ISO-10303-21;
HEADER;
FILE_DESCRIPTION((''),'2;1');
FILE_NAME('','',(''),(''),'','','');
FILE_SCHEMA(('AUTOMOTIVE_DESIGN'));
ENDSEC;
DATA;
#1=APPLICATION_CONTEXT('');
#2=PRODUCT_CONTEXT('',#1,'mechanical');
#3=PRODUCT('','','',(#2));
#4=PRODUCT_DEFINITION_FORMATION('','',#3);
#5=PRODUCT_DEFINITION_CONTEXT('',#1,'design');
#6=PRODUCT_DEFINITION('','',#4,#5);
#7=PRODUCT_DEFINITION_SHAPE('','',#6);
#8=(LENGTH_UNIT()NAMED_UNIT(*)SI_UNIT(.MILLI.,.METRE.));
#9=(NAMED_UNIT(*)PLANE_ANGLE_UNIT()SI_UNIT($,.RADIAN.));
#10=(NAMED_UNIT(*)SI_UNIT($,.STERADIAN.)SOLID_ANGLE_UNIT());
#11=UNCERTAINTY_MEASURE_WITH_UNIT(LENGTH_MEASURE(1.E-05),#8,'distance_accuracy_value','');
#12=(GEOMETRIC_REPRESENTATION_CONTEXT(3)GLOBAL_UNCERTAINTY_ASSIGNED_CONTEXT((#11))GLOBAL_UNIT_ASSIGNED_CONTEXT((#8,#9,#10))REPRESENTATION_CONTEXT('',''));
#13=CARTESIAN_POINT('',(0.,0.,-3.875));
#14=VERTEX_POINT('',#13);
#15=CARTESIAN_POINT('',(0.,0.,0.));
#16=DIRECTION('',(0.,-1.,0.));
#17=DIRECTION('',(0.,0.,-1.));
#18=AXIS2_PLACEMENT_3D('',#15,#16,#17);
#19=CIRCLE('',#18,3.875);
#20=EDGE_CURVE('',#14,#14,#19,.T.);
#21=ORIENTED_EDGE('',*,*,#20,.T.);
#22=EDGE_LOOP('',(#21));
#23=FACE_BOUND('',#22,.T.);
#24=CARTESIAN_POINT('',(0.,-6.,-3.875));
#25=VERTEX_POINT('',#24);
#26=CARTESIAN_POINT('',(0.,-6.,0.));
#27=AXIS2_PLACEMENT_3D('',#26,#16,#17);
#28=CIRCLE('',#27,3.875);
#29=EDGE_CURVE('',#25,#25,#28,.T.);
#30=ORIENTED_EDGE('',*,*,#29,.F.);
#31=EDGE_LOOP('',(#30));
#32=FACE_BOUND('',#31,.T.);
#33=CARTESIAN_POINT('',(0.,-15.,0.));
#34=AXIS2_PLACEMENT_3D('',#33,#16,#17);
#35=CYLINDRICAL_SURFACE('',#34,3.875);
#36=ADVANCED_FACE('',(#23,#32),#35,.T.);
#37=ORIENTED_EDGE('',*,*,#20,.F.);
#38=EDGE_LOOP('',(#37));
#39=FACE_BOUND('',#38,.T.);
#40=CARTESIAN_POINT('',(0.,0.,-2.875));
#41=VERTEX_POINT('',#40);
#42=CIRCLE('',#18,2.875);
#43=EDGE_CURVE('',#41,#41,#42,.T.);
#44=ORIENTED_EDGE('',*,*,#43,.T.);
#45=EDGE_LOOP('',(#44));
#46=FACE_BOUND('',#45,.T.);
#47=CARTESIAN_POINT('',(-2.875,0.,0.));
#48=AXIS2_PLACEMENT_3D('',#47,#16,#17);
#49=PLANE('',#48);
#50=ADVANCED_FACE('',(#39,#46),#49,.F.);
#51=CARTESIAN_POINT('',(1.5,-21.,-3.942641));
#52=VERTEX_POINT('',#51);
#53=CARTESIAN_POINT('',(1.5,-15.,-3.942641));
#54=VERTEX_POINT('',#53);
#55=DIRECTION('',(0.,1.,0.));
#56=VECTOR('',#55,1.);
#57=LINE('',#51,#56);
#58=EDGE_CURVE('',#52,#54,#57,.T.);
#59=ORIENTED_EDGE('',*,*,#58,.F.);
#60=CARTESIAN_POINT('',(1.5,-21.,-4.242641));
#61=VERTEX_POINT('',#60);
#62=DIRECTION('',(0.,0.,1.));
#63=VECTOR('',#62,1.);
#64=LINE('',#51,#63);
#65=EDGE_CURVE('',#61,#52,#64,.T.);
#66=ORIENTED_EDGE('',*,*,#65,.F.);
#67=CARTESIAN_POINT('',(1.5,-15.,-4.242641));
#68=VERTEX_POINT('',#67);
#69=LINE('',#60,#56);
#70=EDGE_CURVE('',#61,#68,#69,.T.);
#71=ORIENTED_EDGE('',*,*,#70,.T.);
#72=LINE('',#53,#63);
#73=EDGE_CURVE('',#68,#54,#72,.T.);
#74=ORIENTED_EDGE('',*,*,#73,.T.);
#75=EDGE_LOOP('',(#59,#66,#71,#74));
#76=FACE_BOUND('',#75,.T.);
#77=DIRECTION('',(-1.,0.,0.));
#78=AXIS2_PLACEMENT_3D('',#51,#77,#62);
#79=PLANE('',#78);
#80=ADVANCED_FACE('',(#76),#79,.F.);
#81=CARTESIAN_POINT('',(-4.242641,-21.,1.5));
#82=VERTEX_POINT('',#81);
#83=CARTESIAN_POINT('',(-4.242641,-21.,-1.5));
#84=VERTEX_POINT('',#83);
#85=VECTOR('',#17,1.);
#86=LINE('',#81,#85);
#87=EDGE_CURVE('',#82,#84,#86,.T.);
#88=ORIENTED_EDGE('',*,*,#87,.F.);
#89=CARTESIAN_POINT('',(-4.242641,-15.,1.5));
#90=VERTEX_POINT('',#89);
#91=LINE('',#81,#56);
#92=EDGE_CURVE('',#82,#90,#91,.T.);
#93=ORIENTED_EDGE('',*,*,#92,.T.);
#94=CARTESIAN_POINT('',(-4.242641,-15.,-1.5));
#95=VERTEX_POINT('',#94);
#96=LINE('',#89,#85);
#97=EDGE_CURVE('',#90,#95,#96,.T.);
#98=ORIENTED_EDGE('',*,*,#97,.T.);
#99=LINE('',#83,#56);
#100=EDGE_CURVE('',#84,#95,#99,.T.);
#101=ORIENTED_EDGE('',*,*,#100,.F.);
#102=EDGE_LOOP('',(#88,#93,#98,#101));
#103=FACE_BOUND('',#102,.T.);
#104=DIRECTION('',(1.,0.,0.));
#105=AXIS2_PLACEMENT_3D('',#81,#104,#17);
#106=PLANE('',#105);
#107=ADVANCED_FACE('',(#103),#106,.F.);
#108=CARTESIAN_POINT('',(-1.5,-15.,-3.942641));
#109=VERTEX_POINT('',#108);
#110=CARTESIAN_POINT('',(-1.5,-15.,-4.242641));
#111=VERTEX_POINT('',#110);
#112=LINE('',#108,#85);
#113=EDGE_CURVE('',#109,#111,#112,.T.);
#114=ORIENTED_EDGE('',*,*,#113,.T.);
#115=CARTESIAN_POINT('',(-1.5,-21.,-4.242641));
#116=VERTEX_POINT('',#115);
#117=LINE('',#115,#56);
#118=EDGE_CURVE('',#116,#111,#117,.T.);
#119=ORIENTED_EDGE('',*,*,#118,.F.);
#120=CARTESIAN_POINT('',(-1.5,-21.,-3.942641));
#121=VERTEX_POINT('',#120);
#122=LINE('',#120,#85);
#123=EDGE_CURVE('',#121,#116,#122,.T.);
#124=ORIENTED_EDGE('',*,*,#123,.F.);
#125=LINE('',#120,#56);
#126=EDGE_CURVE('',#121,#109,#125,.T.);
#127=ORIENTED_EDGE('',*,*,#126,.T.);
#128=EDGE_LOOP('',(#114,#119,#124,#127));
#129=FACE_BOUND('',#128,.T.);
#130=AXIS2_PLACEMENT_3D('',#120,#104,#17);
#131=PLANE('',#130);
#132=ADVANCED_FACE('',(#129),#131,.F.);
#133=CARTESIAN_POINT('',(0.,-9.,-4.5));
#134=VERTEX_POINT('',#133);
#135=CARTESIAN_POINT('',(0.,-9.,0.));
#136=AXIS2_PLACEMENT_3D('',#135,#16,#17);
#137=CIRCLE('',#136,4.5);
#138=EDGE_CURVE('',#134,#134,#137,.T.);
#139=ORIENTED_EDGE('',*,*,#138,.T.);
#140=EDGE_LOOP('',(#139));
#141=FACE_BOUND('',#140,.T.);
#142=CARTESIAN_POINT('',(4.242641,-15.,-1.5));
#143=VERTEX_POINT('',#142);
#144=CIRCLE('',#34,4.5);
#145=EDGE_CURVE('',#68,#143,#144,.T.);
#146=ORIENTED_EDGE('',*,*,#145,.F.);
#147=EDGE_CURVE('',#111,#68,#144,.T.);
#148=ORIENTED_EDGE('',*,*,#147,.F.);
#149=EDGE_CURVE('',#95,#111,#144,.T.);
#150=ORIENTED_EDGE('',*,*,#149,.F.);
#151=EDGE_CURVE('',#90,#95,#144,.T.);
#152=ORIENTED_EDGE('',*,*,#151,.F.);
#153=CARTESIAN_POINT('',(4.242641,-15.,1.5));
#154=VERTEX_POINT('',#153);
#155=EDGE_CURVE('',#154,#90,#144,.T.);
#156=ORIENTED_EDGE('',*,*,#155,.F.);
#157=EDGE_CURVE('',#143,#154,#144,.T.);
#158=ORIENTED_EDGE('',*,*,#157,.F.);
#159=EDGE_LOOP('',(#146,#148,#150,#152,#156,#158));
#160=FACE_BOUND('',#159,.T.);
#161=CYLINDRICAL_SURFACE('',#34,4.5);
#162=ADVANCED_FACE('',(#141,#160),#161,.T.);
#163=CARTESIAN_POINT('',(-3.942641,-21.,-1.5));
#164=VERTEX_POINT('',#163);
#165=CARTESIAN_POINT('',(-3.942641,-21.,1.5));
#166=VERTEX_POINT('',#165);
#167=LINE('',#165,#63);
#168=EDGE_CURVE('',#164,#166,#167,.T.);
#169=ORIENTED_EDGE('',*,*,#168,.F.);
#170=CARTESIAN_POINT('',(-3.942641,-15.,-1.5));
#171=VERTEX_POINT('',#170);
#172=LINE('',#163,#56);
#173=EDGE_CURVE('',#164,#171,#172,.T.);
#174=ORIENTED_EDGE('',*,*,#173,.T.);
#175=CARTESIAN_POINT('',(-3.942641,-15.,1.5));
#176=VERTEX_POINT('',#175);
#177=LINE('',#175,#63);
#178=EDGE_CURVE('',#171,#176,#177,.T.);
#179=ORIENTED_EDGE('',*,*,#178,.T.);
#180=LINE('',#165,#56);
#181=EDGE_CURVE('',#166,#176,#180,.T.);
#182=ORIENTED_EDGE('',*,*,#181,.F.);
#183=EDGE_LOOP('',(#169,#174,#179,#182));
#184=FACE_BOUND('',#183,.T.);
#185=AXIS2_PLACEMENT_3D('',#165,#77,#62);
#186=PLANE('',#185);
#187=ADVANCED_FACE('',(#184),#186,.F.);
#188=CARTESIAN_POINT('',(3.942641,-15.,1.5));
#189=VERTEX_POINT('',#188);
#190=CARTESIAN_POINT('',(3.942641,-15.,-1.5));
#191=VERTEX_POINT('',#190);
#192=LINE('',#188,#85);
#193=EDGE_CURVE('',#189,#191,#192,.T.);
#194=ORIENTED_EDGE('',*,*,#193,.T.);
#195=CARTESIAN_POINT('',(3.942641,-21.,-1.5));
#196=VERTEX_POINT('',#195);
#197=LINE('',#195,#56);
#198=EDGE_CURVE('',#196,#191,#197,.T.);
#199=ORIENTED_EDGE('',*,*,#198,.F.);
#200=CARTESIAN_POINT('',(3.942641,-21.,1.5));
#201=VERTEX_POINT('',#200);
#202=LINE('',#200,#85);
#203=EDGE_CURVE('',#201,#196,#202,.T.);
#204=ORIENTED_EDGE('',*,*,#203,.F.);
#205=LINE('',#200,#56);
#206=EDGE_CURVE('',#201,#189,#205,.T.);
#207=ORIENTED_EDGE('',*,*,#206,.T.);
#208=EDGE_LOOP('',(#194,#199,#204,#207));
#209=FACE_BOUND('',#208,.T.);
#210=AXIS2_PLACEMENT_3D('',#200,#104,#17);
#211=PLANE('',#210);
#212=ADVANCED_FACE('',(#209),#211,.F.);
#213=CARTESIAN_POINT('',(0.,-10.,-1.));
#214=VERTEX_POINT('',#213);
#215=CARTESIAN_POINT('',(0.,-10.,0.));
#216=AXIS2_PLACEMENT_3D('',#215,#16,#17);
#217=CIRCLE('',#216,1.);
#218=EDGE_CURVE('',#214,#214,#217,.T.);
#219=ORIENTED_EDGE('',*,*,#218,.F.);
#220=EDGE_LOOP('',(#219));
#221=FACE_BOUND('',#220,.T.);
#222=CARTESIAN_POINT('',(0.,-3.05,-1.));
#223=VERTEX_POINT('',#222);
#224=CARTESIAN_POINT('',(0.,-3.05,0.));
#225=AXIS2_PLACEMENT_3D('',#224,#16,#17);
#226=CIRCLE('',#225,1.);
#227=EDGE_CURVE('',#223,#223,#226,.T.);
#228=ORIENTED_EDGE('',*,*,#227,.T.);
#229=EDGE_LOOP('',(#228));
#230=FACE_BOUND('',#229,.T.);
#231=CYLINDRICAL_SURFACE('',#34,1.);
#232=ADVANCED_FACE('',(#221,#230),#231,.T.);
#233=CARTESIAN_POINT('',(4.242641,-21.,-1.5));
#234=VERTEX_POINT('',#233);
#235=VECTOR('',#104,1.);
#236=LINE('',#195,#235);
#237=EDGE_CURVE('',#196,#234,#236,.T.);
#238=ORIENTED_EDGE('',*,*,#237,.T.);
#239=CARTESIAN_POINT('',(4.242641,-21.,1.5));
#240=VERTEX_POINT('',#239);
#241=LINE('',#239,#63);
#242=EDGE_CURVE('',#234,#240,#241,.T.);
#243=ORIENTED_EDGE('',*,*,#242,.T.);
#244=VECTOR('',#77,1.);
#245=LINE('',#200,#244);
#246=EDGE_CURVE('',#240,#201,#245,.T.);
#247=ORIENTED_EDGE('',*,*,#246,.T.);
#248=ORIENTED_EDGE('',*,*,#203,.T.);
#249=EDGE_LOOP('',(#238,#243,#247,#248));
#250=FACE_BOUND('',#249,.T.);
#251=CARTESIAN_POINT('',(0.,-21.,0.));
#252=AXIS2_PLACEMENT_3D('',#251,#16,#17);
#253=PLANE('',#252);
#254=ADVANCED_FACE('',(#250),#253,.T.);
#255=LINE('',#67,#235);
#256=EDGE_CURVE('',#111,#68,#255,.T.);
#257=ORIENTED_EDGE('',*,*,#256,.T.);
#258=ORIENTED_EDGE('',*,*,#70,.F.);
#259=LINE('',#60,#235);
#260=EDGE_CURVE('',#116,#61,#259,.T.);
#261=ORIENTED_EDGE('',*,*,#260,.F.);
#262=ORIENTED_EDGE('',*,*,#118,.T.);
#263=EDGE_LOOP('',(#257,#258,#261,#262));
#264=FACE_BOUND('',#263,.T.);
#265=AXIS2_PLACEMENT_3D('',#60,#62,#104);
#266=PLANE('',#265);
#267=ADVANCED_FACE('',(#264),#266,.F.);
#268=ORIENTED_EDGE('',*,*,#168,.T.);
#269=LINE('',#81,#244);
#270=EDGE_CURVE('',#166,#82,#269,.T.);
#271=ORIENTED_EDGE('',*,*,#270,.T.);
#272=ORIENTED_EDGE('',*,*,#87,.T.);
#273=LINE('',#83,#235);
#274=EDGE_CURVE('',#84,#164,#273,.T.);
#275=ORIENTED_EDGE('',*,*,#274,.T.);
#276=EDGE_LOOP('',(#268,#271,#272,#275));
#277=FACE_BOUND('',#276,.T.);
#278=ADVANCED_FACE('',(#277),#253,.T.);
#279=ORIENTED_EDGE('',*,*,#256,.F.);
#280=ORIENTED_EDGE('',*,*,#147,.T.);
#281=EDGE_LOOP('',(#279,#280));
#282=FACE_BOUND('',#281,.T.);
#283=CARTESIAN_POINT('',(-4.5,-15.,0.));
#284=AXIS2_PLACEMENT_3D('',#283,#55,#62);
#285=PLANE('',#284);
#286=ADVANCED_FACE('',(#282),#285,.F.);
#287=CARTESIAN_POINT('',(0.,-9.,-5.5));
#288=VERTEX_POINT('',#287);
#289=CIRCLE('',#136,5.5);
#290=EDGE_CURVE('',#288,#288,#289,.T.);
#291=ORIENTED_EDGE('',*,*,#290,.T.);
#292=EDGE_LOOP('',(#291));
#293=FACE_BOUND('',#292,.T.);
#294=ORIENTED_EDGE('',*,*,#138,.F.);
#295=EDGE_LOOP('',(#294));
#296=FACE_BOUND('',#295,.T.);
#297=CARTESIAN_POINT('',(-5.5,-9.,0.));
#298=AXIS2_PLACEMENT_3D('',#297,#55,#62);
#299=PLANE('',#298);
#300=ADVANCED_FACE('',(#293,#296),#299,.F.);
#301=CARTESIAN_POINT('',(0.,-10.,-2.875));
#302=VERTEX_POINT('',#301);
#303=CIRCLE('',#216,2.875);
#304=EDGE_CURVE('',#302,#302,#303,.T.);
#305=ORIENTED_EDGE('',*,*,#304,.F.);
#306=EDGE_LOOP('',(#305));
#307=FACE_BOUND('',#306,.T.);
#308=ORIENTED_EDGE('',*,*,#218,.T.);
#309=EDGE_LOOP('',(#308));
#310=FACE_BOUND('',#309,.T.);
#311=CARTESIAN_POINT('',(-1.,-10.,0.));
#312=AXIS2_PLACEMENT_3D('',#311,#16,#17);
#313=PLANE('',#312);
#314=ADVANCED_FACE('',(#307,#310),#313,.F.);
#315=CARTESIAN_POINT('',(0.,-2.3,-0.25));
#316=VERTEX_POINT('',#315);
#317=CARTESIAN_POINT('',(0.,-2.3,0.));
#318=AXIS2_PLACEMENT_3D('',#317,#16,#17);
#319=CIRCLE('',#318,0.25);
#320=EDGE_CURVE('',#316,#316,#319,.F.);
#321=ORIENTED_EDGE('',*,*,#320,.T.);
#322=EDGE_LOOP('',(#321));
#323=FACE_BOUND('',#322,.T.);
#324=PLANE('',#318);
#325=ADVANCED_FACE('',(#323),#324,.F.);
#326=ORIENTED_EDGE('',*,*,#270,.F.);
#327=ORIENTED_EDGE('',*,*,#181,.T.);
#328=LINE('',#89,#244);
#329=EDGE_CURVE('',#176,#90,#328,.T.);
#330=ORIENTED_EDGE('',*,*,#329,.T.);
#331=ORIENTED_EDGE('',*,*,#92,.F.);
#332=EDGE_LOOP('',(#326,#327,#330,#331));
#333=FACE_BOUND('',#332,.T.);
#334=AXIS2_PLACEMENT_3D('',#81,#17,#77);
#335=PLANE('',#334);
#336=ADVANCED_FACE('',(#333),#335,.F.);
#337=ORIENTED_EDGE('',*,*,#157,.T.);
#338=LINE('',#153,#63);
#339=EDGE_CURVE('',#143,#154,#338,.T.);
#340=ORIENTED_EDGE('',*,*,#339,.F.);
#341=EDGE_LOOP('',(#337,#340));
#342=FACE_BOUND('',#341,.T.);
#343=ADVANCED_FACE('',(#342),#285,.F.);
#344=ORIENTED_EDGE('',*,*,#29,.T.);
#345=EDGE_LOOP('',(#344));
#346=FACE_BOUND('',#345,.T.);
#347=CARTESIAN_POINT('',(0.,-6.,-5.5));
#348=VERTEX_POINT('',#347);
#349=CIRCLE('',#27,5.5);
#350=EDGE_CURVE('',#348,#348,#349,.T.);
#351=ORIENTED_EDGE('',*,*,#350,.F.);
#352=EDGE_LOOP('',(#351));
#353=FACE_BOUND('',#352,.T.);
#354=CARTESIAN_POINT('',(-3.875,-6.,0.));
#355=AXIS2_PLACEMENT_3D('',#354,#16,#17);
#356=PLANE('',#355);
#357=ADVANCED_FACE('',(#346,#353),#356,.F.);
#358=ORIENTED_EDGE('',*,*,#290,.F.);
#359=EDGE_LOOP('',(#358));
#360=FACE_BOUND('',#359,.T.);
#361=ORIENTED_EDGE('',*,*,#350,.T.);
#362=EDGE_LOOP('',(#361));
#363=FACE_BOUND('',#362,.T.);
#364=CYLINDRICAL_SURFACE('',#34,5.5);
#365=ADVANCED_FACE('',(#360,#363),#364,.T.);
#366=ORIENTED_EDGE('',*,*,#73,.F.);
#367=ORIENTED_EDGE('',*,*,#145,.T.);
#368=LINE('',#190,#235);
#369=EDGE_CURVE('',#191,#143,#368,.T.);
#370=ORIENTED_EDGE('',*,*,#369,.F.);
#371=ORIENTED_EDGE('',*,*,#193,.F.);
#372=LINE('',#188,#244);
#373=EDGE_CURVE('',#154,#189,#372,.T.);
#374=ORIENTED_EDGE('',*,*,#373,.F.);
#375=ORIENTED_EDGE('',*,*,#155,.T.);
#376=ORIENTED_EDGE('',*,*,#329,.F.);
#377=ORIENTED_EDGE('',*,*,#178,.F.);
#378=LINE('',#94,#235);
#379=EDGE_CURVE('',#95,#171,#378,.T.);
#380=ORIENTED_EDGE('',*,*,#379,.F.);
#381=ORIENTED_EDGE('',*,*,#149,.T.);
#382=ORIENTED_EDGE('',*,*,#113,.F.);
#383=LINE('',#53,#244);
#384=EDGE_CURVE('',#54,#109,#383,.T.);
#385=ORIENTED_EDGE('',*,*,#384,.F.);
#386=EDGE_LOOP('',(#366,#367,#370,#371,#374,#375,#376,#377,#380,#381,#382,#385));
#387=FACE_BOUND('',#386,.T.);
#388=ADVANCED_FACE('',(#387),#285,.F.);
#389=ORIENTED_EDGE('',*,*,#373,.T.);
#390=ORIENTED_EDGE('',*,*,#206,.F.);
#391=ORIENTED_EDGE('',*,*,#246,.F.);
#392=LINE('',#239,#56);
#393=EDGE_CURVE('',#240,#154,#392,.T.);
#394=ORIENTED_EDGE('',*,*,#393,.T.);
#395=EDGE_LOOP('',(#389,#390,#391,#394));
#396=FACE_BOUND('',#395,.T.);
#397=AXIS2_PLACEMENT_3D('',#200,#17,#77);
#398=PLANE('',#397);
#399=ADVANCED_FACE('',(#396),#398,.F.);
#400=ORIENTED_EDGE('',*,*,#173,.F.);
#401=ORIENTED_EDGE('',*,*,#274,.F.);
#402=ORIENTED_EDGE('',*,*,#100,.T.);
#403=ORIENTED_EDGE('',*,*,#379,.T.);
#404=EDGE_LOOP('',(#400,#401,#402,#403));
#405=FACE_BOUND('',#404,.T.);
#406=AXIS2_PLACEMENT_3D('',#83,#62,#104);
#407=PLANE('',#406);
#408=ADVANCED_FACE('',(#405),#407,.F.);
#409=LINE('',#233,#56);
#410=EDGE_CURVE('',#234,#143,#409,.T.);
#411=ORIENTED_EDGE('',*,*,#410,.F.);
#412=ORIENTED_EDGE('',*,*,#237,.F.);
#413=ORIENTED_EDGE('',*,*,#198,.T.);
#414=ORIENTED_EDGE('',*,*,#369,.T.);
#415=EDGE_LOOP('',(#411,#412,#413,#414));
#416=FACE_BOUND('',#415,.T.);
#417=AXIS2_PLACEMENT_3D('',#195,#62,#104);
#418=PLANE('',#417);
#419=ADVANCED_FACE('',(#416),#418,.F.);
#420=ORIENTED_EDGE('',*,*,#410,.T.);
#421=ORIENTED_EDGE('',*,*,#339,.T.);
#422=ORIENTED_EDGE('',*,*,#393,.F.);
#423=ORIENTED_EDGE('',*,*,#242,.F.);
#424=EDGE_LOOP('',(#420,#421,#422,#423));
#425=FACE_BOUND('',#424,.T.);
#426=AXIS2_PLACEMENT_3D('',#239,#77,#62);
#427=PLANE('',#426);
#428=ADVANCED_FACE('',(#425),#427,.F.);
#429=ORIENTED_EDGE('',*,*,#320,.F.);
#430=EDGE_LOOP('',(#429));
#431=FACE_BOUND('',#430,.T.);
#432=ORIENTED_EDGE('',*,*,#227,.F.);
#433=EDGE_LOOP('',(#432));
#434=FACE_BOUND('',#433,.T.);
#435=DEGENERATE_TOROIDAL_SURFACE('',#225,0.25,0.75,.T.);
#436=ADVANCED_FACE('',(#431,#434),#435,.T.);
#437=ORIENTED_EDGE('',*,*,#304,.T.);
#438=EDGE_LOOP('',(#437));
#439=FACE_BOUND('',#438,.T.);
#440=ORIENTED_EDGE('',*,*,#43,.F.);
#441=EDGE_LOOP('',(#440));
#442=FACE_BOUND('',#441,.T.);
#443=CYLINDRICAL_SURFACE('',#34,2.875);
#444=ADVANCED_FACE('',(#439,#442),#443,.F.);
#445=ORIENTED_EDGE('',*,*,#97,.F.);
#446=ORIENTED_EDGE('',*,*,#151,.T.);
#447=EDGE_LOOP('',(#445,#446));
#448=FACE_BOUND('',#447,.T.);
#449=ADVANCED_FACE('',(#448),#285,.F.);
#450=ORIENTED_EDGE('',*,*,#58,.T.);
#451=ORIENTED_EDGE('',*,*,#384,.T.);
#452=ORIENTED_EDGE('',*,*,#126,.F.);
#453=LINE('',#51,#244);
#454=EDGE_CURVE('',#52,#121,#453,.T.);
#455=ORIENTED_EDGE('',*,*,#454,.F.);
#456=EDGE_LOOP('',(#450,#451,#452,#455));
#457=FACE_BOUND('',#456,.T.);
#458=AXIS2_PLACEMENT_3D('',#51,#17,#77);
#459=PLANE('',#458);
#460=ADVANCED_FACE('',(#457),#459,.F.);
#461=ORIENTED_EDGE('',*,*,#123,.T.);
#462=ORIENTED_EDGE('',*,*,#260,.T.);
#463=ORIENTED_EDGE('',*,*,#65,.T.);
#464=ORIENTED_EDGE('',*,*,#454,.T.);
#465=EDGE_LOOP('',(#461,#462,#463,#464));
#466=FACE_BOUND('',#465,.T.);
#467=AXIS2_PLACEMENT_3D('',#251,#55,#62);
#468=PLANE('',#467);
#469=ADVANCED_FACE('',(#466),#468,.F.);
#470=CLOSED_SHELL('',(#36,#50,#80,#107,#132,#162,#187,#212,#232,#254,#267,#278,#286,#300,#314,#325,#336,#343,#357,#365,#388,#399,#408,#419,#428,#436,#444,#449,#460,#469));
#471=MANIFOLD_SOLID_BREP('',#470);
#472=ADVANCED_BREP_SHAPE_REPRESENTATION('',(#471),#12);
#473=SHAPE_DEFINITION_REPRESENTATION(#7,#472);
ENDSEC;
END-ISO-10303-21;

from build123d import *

# Parameters (mm, degrees)
SKIZZE2_W                       = 0.3
SKIZZE2_H                       = 3
SKIZZE2_W_2                     = 3
SKIZZE2_H_2                     = 0.3
AUFSATZ_LINEAR_AUSTRAGEN1_DEPTH = 6
VERRUNDUNG1_R                   = 0.75


with BuildPart() as part:
    # Skizze1 → Rotation1 (revolve)
    with BuildSketch(Plane.XY):
        Polygon((-3.875, 0), (-3.875, -6), (-5.5, -6), (-5.5, -9), (-4.5, -9), (-4.5, -15), (0, -15), (0, -2.3), (-1, -2.3), (-1, -10), (-2.875, -10), (-2.875, 0), align=None)
    revolve(axis=Axis((0, -15, 0), (0, 1, 0)))

    # Skizze2 → Aufsatz-Linear austragen1 (add)
    with BuildSketch(Plane.XZ.offset(15)):
        with Locations((-4.092640687, 0)):
            Rectangle(SKIZZE2_W, SKIZZE2_H)
        with Locations((4.092640687, 0)):
            Rectangle(SKIZZE2_W, SKIZZE2_H)
        with Locations((0, -4.092640687)):
            Rectangle(SKIZZE2_W_2, SKIZZE2_H_2)
    extrude(amount=AUFSATZ_LINEAR_AUSTRAGEN1_DEPTH)

    # Verrundung1
    verrundung1_edges = [part.edges().sort_by_distance(p)[0] for p in [
        (1, -2.3, 0),
    ]]
    fillet(verrundung1_edges, radius=VERRUNDUNG1_R)


solid = part.part
